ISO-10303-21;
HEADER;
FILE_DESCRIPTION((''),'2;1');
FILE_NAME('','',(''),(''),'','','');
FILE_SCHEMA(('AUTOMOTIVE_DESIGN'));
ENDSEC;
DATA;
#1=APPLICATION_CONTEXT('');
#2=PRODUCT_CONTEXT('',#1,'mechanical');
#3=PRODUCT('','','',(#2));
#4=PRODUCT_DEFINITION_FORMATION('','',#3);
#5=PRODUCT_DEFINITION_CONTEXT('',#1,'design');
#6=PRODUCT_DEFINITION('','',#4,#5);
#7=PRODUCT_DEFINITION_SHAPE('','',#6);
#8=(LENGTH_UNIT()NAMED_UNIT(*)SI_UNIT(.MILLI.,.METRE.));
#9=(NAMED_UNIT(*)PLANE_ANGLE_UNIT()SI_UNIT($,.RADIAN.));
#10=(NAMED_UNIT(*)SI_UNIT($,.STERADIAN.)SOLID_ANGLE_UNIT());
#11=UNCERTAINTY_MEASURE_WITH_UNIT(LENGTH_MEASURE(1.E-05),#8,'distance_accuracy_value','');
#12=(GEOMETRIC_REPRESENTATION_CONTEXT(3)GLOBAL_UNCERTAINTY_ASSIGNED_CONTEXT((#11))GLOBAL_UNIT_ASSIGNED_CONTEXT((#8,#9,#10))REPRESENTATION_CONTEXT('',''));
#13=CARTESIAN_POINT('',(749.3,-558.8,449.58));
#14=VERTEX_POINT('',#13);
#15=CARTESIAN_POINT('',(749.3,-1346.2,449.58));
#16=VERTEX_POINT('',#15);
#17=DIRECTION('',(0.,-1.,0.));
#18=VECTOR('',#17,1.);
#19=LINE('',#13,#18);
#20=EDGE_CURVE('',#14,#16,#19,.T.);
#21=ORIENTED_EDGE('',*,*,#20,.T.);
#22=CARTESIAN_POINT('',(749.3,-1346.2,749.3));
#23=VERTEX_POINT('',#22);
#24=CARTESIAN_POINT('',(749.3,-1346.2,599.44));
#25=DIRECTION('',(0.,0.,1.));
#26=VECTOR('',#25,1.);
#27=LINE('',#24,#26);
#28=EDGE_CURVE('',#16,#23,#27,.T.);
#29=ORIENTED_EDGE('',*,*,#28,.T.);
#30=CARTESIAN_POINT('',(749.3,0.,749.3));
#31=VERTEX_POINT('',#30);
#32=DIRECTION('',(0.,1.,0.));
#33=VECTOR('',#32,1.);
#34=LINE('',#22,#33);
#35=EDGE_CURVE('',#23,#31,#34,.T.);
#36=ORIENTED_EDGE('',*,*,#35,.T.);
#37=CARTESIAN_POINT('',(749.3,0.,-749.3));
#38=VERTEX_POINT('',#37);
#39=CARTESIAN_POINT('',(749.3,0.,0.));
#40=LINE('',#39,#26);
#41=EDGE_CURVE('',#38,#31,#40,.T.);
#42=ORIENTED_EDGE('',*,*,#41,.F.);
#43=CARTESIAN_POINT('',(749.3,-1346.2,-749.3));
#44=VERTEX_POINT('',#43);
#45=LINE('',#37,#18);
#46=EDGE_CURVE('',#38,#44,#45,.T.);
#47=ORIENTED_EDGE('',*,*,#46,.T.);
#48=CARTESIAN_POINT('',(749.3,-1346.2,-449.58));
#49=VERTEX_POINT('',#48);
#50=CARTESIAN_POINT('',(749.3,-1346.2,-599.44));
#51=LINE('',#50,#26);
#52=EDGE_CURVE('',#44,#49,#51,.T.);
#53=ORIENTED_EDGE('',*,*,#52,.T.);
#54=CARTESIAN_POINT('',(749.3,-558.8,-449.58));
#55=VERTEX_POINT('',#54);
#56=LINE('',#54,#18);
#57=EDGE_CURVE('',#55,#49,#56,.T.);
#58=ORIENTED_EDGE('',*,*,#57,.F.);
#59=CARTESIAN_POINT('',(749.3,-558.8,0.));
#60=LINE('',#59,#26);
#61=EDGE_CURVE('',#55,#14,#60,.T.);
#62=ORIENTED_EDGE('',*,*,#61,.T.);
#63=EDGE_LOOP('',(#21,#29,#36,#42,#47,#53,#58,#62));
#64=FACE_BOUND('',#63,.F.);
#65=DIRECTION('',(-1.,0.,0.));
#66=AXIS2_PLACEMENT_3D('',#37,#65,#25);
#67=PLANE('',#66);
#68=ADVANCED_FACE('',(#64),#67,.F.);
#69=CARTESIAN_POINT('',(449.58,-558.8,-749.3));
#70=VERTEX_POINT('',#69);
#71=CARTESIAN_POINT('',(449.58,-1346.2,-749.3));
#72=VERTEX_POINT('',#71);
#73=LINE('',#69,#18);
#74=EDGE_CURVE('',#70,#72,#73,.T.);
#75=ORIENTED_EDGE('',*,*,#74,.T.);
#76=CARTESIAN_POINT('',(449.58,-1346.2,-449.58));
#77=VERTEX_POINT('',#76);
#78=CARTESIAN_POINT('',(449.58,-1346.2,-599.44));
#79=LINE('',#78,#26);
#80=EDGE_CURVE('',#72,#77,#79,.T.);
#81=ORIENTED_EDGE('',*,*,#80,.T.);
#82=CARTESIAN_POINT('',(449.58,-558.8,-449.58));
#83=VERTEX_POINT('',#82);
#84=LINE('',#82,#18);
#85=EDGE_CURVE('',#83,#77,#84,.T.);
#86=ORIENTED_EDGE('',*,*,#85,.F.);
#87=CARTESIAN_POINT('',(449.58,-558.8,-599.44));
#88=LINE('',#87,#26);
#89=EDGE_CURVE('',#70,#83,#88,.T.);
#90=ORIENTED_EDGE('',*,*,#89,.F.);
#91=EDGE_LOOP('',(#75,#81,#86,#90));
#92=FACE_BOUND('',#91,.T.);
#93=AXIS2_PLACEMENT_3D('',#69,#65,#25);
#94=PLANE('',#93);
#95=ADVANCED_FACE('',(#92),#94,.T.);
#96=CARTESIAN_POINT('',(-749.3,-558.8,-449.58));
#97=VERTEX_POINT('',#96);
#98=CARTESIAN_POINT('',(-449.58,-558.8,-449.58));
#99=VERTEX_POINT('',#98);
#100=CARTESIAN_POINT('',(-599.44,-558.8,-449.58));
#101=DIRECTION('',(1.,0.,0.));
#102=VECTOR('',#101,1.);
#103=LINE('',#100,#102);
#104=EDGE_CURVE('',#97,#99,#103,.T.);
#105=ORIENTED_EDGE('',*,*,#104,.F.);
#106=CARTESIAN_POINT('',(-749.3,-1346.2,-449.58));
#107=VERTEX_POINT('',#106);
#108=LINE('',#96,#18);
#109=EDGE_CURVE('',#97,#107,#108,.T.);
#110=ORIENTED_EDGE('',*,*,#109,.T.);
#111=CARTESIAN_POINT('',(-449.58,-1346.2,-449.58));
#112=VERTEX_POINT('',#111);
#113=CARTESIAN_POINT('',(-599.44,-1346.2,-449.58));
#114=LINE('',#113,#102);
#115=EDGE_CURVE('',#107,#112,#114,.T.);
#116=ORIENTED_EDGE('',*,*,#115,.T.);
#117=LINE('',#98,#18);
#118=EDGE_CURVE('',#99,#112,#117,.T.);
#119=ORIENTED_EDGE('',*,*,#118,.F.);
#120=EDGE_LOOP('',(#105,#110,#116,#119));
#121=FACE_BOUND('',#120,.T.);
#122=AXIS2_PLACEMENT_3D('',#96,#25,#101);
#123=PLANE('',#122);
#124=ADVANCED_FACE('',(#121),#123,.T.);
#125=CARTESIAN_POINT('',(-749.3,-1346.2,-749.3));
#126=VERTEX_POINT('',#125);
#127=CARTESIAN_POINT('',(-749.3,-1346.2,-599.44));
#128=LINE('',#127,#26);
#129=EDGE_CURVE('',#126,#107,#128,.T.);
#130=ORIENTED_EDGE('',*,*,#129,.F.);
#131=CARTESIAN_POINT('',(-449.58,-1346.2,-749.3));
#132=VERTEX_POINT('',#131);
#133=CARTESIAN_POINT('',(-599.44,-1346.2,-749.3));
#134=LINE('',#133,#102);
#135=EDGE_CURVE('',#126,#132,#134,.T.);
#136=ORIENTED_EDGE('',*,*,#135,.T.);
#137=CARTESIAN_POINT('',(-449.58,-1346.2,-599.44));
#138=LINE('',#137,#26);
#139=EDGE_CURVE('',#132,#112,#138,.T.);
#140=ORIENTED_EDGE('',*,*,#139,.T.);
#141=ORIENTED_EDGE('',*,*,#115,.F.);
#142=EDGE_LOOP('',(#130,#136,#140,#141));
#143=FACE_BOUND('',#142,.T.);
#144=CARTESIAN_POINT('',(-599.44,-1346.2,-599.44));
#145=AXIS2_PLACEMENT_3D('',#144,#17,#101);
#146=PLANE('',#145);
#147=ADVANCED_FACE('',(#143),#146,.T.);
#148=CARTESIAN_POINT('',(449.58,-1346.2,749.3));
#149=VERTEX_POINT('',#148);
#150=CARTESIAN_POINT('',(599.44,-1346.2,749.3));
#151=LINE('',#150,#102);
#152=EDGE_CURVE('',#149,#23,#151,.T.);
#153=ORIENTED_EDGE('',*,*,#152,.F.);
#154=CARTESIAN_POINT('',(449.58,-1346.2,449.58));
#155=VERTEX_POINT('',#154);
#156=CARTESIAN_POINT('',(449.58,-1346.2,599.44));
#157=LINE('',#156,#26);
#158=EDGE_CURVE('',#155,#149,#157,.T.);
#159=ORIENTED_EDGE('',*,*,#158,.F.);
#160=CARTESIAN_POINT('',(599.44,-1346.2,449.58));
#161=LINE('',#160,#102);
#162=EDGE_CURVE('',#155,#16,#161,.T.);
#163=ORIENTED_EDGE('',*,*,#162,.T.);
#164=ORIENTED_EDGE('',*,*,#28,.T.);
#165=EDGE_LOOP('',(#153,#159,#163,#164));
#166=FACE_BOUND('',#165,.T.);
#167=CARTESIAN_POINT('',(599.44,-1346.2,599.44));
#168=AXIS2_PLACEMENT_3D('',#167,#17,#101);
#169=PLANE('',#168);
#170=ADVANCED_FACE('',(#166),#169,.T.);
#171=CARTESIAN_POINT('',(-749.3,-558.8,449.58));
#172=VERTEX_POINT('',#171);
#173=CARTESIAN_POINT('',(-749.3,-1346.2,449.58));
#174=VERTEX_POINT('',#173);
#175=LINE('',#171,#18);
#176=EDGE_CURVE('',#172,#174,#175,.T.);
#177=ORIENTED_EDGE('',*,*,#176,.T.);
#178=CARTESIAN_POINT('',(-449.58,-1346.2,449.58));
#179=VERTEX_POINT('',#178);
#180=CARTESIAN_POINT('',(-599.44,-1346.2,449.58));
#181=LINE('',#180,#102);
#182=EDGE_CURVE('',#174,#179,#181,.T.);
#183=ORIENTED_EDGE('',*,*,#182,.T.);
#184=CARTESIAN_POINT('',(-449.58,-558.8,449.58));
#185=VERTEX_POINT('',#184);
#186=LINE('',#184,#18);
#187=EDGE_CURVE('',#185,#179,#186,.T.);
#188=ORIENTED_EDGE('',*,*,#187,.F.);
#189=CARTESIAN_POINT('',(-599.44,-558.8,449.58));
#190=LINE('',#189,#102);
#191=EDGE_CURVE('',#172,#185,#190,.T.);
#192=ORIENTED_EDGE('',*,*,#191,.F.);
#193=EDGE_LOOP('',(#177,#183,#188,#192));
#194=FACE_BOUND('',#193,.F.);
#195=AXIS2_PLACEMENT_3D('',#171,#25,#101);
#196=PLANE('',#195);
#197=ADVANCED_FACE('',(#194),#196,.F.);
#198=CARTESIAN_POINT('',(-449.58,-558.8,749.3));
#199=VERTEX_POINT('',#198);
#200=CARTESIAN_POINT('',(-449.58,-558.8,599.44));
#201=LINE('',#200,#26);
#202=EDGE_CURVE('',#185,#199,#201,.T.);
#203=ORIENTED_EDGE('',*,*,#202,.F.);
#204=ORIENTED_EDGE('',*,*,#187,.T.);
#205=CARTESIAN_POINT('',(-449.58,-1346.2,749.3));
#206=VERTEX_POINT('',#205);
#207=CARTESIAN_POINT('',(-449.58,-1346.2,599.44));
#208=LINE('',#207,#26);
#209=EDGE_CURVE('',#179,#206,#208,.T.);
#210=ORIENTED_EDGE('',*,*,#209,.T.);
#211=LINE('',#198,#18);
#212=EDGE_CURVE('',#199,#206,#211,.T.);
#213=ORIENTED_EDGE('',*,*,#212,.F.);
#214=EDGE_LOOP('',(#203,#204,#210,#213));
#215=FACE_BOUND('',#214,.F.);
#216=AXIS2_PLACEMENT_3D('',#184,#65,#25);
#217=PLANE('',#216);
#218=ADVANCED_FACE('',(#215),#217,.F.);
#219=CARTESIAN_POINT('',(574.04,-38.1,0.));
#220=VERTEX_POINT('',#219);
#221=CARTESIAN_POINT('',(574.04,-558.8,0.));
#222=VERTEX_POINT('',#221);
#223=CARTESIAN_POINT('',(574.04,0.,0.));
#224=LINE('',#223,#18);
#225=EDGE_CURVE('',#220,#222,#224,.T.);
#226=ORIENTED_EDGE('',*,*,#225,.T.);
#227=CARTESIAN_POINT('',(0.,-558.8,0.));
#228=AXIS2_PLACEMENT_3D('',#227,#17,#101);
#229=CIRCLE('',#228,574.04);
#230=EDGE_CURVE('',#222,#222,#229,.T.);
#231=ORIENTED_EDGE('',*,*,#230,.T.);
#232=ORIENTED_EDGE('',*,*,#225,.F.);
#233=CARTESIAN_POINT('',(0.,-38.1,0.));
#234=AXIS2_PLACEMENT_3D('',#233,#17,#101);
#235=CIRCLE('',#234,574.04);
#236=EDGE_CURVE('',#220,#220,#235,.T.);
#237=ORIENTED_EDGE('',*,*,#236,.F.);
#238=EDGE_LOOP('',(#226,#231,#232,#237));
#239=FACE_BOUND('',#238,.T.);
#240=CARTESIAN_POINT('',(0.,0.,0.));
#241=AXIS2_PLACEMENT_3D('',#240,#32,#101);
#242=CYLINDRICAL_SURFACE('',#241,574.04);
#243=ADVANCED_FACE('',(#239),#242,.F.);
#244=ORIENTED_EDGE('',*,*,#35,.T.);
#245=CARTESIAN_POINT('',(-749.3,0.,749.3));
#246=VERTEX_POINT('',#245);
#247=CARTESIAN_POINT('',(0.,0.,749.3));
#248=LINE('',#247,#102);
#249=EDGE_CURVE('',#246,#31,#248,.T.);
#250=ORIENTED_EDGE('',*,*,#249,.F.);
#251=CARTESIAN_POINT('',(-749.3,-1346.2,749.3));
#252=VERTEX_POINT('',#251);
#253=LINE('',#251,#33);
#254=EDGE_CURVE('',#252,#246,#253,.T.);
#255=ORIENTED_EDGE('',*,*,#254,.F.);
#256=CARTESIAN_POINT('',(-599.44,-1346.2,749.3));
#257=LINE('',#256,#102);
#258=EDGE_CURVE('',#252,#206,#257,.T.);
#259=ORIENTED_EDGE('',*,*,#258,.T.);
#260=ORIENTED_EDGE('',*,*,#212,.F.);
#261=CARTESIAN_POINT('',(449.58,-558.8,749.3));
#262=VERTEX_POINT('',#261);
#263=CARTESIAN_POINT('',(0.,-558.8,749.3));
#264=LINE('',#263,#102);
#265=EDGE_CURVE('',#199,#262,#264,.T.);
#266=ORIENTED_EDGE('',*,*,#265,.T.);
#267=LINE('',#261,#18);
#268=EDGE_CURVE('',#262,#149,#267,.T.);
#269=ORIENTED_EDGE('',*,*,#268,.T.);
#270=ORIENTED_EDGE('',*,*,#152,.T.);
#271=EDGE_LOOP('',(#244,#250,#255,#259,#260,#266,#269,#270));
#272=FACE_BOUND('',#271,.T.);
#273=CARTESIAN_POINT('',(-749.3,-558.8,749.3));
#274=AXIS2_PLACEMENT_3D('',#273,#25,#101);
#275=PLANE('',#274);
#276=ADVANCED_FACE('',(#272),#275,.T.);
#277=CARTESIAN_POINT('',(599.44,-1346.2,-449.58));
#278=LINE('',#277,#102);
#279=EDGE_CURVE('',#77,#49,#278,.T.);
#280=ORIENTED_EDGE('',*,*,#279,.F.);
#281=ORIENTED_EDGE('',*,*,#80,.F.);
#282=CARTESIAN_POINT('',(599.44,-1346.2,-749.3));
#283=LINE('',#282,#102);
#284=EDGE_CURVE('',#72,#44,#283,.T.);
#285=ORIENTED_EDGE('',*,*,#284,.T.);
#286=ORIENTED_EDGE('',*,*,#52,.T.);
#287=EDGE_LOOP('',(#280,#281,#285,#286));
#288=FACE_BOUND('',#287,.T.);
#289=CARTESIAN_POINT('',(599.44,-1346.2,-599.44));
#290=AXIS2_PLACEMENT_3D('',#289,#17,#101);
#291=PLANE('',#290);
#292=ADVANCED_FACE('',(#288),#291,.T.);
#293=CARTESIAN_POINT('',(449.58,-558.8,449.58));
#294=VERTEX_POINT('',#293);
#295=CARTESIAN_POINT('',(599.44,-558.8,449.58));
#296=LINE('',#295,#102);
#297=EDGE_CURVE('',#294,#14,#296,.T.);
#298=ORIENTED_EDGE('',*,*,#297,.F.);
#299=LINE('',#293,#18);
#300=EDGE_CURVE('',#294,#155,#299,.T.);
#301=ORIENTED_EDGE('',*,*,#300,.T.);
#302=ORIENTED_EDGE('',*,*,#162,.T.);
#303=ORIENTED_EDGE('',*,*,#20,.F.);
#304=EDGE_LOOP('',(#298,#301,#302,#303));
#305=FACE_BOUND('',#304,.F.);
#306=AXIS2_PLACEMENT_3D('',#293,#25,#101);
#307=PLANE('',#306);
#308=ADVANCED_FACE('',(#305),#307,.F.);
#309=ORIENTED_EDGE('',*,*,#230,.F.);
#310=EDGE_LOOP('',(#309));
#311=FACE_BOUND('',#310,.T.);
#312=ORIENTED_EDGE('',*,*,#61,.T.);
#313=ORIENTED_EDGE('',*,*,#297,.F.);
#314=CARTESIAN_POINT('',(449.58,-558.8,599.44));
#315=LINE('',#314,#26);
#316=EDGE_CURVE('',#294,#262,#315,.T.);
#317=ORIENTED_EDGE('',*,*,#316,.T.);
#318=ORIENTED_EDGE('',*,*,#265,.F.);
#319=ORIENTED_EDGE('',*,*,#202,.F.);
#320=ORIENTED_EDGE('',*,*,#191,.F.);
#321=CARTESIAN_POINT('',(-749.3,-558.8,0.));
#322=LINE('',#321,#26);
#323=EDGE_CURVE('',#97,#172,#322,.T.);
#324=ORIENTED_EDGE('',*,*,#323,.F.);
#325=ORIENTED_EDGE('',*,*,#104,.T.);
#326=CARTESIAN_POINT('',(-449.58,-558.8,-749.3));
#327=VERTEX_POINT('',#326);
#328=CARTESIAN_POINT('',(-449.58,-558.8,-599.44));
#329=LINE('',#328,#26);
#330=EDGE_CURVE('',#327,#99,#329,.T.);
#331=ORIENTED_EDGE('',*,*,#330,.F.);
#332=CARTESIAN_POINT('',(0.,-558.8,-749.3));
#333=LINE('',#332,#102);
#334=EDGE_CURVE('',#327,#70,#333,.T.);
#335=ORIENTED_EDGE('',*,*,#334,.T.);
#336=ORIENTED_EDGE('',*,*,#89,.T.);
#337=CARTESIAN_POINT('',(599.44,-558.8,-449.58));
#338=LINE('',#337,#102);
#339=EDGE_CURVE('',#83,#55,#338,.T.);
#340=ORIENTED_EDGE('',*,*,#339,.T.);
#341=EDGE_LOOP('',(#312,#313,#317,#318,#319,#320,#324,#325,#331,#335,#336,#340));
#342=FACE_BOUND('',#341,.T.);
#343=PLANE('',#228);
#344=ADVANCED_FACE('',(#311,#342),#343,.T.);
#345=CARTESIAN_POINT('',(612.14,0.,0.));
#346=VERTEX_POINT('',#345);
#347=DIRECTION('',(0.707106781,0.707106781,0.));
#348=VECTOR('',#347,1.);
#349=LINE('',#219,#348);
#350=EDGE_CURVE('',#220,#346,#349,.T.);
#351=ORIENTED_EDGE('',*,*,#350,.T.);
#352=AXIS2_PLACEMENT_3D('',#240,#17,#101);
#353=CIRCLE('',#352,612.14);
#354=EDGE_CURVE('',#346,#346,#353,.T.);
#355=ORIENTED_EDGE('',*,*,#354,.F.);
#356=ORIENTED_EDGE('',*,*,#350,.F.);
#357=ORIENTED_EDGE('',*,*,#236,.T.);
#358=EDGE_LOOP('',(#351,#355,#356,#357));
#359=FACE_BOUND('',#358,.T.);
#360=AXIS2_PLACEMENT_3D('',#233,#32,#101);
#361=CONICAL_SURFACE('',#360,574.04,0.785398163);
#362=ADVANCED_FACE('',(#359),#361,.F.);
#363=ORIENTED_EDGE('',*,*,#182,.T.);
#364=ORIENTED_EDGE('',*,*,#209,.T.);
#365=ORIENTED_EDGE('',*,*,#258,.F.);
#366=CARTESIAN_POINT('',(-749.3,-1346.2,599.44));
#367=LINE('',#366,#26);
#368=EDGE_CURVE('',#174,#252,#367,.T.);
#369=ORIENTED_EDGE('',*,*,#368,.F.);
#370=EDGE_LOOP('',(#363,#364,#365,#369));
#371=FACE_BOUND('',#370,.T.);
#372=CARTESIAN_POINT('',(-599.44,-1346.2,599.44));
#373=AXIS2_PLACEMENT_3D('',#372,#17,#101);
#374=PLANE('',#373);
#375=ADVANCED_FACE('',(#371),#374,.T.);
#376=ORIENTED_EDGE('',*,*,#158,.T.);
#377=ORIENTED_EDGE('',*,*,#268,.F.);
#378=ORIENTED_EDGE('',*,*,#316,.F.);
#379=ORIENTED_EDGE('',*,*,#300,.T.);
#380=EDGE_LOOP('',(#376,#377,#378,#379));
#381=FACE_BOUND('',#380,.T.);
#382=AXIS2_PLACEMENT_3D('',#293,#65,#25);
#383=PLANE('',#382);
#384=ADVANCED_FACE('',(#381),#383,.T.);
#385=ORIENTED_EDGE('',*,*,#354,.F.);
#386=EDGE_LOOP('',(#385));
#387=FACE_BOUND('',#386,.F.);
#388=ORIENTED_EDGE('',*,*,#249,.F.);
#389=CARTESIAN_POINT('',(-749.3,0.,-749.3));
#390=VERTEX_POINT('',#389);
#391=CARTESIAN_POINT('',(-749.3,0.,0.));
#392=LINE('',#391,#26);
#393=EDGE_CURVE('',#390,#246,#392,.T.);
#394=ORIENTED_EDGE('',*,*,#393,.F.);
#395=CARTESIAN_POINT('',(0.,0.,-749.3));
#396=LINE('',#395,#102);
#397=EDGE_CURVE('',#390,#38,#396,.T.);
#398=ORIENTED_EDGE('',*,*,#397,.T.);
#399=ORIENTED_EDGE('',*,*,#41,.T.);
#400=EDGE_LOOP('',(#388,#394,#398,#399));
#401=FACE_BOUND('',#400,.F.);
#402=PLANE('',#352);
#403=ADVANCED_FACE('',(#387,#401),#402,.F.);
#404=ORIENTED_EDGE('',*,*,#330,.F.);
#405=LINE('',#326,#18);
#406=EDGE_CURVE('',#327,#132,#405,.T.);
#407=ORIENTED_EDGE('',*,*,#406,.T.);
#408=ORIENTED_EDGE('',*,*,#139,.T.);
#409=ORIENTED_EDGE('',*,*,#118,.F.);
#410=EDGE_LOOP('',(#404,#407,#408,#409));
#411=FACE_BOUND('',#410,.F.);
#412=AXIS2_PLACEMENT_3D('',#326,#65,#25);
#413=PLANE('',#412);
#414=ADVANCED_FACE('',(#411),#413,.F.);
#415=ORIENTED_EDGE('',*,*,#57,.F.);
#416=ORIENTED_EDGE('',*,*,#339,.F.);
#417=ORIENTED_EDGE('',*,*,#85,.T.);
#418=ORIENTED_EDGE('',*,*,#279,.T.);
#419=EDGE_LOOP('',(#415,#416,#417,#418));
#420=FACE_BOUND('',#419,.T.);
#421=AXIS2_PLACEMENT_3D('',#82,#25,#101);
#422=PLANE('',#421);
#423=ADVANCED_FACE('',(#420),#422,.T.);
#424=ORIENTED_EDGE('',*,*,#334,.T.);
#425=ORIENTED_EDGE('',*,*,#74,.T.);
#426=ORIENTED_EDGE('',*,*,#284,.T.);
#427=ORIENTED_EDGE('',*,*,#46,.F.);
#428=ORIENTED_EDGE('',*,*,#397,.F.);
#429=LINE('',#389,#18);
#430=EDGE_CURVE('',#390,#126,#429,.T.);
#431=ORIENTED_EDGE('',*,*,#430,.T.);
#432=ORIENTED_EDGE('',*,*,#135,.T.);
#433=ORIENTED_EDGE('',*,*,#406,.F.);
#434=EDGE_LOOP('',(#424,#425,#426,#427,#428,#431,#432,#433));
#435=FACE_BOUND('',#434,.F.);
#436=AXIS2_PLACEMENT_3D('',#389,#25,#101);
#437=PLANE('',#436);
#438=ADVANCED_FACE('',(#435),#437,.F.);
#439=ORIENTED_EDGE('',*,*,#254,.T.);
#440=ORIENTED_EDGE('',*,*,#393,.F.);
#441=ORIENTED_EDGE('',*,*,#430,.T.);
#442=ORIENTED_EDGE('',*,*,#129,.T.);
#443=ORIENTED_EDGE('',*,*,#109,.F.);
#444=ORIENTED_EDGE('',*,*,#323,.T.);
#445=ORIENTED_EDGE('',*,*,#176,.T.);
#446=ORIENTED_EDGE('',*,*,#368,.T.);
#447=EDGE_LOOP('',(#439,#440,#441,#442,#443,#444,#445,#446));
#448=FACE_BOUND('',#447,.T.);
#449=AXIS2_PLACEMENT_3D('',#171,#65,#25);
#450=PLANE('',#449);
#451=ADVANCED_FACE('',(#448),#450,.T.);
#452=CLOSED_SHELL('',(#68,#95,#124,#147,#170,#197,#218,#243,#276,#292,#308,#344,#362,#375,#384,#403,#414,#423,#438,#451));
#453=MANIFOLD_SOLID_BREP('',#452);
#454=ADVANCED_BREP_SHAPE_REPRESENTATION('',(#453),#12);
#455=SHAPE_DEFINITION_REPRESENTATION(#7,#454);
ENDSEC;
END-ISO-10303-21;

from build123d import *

# Parameters (mm, degrees)
F0_W     = 1498.6
F0_H     = 1498.6
F0_R     = 574.04
F1_DEPTH = 558.8
F2_W     = 299.72
F2_H     = 299.72
F3_DEPTH = 787.4
F4_SIZE  = 38.1


with BuildPart() as f1:
    # F0 (on Front) → F1 (new body)
    with BuildSketch(Plane.XZ):
        Rectangle(F0_W, F0_H)
        Circle(F0_R, mode=Mode.SUBTRACT)
    extrude(amount=F1_DEPTH)

    # F2 (on face) → F3 (join)
    with BuildSketch(Plane.XZ.offset(558.8)):
        with Locations((-599.44, 599.44)):
            Rectangle(F2_W, F2_H)
        with Locations((-599.44, -599.44)):
            Rectangle(F2_W, F2_H)
        with Locations((599.44, -599.44)):
            Rectangle(F2_W, F2_H)
        with Locations((599.44, 599.44)):
            Rectangle(F2_W, F2_H)
    extrude(amount=F3_DEPTH)

    # F4
    f4_edges = [f1.edges().sort_by_distance(p)[0] for p in [
        (-574.04, 0, 0),
    ]]
    chamfer(f4_edges, length=F4_SIZE)


solid = f1.part
